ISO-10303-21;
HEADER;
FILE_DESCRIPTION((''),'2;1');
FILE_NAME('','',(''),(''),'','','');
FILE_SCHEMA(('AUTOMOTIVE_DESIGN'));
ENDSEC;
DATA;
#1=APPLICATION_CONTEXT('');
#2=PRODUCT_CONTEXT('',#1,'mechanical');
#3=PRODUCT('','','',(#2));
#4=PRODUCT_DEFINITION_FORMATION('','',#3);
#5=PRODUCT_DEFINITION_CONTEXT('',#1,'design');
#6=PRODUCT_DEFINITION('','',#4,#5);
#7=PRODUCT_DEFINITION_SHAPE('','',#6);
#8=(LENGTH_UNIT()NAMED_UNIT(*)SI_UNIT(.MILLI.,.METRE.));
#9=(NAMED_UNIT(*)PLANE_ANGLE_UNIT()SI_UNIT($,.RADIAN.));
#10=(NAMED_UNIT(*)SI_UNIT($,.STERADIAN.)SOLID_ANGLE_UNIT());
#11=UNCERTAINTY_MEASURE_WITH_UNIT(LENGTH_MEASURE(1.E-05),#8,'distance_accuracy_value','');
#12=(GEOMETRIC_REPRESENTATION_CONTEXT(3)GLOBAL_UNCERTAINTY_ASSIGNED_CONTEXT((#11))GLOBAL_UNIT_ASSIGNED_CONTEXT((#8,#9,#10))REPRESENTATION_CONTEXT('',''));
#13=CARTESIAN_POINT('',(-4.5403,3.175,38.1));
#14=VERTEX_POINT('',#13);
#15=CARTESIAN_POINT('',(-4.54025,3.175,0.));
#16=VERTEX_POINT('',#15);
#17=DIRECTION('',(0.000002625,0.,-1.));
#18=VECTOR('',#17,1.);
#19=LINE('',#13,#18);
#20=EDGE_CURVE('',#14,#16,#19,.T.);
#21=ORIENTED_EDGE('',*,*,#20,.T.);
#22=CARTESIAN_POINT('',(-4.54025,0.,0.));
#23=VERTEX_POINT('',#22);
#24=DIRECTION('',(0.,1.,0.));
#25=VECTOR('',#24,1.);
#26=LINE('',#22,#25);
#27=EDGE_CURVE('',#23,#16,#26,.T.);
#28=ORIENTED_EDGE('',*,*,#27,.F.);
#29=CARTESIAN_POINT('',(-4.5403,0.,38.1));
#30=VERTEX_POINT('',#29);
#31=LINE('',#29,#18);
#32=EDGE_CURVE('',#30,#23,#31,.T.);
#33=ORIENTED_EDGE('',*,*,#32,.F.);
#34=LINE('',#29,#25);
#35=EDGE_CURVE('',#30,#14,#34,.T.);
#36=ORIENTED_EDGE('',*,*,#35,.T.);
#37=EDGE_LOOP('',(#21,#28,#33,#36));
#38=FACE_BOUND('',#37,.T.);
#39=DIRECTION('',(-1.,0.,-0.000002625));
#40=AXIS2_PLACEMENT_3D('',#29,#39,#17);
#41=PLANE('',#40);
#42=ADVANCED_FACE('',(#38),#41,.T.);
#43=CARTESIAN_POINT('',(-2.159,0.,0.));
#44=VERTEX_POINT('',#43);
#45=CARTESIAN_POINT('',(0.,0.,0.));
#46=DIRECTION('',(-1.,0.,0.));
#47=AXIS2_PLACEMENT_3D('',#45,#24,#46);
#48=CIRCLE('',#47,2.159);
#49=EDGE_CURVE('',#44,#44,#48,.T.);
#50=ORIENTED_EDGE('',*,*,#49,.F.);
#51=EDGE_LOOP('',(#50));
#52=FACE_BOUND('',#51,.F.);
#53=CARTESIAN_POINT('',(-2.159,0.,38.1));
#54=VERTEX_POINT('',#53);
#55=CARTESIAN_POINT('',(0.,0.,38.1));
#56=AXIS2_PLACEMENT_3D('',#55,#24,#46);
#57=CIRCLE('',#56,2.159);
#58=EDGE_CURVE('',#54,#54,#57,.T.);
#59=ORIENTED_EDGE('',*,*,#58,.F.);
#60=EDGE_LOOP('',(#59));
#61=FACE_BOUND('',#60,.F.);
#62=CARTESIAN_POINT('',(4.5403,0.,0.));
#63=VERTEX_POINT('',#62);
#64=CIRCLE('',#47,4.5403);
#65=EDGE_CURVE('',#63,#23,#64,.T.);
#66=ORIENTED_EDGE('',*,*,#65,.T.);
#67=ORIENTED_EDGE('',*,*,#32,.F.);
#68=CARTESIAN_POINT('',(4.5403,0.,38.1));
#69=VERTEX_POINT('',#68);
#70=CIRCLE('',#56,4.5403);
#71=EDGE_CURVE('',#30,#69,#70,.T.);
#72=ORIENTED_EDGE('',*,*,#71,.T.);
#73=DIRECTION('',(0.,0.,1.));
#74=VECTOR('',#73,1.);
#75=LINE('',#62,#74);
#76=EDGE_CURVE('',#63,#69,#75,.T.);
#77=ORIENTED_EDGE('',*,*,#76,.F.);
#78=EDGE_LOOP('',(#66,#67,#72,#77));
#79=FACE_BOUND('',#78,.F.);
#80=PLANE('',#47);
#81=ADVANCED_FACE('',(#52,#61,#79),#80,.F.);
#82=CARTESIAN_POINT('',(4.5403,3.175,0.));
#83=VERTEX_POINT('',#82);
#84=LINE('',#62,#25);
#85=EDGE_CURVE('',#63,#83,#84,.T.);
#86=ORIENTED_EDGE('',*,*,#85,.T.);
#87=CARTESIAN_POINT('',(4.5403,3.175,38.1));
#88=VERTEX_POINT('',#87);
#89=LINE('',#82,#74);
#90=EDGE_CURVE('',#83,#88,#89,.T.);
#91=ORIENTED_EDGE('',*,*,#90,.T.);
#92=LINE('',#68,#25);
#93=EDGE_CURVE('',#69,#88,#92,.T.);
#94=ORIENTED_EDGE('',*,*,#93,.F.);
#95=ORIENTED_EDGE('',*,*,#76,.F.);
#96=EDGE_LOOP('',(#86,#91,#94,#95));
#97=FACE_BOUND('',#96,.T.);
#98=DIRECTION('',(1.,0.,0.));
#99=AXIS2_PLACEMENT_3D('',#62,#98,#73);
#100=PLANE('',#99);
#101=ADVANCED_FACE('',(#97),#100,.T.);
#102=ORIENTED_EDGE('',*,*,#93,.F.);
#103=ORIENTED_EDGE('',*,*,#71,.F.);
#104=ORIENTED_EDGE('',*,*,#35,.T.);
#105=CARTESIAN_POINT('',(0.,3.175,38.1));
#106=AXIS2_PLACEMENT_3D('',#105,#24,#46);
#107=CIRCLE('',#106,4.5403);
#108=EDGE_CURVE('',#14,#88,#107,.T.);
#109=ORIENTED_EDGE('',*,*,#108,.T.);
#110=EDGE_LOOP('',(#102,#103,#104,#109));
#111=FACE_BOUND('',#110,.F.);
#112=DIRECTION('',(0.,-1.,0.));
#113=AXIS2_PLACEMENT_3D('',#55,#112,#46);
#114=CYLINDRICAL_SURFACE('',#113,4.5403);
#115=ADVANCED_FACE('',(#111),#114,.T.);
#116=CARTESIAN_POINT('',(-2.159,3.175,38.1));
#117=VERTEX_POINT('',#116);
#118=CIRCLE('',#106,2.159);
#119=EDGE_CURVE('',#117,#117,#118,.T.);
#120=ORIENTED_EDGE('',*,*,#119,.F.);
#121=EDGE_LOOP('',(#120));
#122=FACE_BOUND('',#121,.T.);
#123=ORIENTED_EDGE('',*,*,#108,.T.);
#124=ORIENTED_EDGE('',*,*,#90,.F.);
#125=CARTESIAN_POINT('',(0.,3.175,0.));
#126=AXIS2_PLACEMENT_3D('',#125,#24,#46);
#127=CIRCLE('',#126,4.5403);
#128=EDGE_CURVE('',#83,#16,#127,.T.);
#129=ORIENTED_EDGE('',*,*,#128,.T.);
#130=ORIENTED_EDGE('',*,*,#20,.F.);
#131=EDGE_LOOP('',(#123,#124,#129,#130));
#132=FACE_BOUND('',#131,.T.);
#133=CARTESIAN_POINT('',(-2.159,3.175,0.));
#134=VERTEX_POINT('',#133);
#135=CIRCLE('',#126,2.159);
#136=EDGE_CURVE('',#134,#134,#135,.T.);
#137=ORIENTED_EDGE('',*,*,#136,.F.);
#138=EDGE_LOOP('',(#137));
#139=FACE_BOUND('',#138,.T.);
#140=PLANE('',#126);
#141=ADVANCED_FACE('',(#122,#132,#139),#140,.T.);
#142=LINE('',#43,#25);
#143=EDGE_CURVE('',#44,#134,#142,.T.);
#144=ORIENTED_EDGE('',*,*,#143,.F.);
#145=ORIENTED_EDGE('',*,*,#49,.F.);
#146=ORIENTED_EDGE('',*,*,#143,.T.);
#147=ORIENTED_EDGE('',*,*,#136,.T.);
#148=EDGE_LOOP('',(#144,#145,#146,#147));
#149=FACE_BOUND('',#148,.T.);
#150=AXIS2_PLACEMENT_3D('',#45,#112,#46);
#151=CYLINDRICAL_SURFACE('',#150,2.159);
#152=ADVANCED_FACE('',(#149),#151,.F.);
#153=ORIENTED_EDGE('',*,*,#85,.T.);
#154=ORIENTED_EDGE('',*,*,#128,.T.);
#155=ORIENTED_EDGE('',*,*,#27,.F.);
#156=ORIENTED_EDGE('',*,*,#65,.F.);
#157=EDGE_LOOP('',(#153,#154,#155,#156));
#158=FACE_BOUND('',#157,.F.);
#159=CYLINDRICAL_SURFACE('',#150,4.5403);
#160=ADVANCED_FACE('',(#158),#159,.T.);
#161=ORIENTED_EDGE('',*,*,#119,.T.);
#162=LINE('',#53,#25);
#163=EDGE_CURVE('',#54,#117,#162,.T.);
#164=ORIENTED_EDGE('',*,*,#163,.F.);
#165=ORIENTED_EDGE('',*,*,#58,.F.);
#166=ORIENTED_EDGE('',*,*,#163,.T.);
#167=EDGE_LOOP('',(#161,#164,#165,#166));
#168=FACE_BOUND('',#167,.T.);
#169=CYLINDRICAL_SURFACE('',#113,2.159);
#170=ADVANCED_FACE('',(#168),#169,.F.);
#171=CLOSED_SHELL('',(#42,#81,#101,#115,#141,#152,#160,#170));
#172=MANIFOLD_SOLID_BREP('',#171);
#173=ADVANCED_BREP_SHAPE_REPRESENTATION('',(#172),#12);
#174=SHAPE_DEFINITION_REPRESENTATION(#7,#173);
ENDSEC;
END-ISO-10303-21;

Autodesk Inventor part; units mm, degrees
ref_plane "YZ Plane" through (0, 0, 0) normal (1, 0, 0) x (0, 1, 0)
ref_plane "XZ Plane" through (0, 0, 0) normal (0, 1, 0) x (-1, 0, 0)
ref_plane "XY Plane" through (0, 0, 0) normal (0, 0, 1) x (1, 0, 0)
sketch "Sketch1" plane through (0, 0, 0) normal (0, 1, 0) x (-1, 0, 0)
  circle A0 centre (0, 0) radius 2.159
  circle A1 centre (0, 38.1) radius 2.159
  circle A2 centre (0, 38.1) radius 4.5403
  circle A3 centre (0, 0) radius 4.5403
  line L0 (4.5403, 38.1) -> (4.5402, 0)
  line L1 (-4.5403, 0) -> (-4.5403, 38.1)
  dimension "d0" = 4.318
  dimension "d1" = 4.318
  dimension "d2" = 38.1
  dimension "d3" = 2.3813
  dimension "d4" = 2.3813
extrude "Extrusion1" add sketch "Sketch1" along normal blind 3.175
properties part number "Arm for thingy"
